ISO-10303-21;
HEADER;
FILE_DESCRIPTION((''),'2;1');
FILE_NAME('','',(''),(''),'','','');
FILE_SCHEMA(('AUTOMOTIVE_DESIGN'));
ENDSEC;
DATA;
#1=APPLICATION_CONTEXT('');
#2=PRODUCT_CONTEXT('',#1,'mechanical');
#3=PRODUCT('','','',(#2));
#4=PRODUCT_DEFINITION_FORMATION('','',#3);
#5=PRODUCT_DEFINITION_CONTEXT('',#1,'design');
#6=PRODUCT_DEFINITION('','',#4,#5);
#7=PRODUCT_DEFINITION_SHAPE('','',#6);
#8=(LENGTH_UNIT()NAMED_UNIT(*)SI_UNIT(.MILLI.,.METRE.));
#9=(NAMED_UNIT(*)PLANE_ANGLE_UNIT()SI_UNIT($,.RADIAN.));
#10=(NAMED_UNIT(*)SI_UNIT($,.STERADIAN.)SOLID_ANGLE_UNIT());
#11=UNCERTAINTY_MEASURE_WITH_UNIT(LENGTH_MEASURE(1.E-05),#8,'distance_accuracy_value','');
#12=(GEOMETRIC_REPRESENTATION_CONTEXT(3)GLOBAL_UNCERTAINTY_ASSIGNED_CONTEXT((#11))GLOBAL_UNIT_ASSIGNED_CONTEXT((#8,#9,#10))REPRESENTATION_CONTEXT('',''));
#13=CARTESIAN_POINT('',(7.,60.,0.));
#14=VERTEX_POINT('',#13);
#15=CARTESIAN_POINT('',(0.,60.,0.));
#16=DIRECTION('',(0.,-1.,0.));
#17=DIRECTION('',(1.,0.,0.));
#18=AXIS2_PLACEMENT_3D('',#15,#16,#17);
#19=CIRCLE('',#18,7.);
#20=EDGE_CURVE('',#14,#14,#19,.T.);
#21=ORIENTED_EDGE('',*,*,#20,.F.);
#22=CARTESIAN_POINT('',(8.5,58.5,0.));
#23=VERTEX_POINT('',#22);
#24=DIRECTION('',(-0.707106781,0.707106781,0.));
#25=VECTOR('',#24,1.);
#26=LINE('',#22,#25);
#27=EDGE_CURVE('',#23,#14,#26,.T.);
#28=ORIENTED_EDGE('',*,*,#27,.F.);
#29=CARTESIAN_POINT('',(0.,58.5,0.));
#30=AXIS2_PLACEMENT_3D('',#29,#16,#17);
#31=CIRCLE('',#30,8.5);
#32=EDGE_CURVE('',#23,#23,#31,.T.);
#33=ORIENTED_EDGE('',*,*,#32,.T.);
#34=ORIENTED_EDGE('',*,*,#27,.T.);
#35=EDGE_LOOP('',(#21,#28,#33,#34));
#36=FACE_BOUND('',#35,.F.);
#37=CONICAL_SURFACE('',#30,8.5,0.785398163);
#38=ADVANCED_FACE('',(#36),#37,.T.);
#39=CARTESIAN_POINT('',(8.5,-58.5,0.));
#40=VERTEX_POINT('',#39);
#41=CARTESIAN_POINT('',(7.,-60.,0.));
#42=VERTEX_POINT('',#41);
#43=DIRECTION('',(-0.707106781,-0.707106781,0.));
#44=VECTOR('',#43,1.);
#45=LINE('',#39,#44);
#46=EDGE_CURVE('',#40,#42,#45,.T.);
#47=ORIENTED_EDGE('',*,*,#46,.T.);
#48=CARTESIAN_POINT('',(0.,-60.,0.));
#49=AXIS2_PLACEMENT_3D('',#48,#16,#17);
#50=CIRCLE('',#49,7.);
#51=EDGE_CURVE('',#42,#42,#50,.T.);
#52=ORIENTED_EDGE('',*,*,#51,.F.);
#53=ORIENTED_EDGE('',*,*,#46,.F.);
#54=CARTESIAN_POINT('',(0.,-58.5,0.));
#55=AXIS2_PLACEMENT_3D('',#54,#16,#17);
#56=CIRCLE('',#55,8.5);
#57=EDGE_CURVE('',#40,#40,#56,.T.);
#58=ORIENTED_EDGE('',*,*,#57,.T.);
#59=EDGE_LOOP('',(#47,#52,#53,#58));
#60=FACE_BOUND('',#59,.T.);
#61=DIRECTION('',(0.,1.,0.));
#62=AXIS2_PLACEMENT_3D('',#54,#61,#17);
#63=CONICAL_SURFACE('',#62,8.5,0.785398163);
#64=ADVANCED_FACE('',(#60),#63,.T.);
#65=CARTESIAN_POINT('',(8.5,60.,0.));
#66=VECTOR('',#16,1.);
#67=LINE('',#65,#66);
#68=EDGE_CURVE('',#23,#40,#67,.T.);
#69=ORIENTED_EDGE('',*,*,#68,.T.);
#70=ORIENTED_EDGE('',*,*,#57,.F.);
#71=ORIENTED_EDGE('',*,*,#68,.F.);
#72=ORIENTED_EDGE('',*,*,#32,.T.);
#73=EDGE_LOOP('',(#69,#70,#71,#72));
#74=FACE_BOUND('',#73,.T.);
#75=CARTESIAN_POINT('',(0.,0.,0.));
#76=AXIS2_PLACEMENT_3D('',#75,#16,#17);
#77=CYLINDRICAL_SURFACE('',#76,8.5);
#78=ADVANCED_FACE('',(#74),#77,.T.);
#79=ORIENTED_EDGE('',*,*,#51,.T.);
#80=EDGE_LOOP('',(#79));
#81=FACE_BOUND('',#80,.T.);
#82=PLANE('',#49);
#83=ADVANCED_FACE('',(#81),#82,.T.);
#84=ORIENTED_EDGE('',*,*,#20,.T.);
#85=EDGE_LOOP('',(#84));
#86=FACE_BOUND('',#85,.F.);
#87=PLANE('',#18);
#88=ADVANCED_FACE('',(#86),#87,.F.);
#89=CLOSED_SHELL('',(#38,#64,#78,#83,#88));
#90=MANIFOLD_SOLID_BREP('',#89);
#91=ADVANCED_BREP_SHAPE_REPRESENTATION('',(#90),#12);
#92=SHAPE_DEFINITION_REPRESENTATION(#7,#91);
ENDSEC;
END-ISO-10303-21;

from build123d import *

# Parameters (mm, degrees)
F0_R          = 8.5
F1_DEPTH      = 60
F1_DEPTH_BACK = 60
F2_SIZE       = 1.5


with BuildPart() as f1:
    # F0 (on Front) → F1 (new body, two sides)
    with BuildSketch(Plane.XZ) as f1_sk:
        Circle(F0_R)
    extrude(amount=F1_DEPTH)
    extrude(f1_sk.sketch, amount=-F1_DEPTH_BACK)

    # F2
    f2_edges = [f1.edges().sort_by_distance(p)[0] for p in [
        (-8.5, -60, 0),
        (-8.5, 60, 0),
    ]]
    chamfer(f2_edges, length=F2_SIZE)


solid = f1.part
